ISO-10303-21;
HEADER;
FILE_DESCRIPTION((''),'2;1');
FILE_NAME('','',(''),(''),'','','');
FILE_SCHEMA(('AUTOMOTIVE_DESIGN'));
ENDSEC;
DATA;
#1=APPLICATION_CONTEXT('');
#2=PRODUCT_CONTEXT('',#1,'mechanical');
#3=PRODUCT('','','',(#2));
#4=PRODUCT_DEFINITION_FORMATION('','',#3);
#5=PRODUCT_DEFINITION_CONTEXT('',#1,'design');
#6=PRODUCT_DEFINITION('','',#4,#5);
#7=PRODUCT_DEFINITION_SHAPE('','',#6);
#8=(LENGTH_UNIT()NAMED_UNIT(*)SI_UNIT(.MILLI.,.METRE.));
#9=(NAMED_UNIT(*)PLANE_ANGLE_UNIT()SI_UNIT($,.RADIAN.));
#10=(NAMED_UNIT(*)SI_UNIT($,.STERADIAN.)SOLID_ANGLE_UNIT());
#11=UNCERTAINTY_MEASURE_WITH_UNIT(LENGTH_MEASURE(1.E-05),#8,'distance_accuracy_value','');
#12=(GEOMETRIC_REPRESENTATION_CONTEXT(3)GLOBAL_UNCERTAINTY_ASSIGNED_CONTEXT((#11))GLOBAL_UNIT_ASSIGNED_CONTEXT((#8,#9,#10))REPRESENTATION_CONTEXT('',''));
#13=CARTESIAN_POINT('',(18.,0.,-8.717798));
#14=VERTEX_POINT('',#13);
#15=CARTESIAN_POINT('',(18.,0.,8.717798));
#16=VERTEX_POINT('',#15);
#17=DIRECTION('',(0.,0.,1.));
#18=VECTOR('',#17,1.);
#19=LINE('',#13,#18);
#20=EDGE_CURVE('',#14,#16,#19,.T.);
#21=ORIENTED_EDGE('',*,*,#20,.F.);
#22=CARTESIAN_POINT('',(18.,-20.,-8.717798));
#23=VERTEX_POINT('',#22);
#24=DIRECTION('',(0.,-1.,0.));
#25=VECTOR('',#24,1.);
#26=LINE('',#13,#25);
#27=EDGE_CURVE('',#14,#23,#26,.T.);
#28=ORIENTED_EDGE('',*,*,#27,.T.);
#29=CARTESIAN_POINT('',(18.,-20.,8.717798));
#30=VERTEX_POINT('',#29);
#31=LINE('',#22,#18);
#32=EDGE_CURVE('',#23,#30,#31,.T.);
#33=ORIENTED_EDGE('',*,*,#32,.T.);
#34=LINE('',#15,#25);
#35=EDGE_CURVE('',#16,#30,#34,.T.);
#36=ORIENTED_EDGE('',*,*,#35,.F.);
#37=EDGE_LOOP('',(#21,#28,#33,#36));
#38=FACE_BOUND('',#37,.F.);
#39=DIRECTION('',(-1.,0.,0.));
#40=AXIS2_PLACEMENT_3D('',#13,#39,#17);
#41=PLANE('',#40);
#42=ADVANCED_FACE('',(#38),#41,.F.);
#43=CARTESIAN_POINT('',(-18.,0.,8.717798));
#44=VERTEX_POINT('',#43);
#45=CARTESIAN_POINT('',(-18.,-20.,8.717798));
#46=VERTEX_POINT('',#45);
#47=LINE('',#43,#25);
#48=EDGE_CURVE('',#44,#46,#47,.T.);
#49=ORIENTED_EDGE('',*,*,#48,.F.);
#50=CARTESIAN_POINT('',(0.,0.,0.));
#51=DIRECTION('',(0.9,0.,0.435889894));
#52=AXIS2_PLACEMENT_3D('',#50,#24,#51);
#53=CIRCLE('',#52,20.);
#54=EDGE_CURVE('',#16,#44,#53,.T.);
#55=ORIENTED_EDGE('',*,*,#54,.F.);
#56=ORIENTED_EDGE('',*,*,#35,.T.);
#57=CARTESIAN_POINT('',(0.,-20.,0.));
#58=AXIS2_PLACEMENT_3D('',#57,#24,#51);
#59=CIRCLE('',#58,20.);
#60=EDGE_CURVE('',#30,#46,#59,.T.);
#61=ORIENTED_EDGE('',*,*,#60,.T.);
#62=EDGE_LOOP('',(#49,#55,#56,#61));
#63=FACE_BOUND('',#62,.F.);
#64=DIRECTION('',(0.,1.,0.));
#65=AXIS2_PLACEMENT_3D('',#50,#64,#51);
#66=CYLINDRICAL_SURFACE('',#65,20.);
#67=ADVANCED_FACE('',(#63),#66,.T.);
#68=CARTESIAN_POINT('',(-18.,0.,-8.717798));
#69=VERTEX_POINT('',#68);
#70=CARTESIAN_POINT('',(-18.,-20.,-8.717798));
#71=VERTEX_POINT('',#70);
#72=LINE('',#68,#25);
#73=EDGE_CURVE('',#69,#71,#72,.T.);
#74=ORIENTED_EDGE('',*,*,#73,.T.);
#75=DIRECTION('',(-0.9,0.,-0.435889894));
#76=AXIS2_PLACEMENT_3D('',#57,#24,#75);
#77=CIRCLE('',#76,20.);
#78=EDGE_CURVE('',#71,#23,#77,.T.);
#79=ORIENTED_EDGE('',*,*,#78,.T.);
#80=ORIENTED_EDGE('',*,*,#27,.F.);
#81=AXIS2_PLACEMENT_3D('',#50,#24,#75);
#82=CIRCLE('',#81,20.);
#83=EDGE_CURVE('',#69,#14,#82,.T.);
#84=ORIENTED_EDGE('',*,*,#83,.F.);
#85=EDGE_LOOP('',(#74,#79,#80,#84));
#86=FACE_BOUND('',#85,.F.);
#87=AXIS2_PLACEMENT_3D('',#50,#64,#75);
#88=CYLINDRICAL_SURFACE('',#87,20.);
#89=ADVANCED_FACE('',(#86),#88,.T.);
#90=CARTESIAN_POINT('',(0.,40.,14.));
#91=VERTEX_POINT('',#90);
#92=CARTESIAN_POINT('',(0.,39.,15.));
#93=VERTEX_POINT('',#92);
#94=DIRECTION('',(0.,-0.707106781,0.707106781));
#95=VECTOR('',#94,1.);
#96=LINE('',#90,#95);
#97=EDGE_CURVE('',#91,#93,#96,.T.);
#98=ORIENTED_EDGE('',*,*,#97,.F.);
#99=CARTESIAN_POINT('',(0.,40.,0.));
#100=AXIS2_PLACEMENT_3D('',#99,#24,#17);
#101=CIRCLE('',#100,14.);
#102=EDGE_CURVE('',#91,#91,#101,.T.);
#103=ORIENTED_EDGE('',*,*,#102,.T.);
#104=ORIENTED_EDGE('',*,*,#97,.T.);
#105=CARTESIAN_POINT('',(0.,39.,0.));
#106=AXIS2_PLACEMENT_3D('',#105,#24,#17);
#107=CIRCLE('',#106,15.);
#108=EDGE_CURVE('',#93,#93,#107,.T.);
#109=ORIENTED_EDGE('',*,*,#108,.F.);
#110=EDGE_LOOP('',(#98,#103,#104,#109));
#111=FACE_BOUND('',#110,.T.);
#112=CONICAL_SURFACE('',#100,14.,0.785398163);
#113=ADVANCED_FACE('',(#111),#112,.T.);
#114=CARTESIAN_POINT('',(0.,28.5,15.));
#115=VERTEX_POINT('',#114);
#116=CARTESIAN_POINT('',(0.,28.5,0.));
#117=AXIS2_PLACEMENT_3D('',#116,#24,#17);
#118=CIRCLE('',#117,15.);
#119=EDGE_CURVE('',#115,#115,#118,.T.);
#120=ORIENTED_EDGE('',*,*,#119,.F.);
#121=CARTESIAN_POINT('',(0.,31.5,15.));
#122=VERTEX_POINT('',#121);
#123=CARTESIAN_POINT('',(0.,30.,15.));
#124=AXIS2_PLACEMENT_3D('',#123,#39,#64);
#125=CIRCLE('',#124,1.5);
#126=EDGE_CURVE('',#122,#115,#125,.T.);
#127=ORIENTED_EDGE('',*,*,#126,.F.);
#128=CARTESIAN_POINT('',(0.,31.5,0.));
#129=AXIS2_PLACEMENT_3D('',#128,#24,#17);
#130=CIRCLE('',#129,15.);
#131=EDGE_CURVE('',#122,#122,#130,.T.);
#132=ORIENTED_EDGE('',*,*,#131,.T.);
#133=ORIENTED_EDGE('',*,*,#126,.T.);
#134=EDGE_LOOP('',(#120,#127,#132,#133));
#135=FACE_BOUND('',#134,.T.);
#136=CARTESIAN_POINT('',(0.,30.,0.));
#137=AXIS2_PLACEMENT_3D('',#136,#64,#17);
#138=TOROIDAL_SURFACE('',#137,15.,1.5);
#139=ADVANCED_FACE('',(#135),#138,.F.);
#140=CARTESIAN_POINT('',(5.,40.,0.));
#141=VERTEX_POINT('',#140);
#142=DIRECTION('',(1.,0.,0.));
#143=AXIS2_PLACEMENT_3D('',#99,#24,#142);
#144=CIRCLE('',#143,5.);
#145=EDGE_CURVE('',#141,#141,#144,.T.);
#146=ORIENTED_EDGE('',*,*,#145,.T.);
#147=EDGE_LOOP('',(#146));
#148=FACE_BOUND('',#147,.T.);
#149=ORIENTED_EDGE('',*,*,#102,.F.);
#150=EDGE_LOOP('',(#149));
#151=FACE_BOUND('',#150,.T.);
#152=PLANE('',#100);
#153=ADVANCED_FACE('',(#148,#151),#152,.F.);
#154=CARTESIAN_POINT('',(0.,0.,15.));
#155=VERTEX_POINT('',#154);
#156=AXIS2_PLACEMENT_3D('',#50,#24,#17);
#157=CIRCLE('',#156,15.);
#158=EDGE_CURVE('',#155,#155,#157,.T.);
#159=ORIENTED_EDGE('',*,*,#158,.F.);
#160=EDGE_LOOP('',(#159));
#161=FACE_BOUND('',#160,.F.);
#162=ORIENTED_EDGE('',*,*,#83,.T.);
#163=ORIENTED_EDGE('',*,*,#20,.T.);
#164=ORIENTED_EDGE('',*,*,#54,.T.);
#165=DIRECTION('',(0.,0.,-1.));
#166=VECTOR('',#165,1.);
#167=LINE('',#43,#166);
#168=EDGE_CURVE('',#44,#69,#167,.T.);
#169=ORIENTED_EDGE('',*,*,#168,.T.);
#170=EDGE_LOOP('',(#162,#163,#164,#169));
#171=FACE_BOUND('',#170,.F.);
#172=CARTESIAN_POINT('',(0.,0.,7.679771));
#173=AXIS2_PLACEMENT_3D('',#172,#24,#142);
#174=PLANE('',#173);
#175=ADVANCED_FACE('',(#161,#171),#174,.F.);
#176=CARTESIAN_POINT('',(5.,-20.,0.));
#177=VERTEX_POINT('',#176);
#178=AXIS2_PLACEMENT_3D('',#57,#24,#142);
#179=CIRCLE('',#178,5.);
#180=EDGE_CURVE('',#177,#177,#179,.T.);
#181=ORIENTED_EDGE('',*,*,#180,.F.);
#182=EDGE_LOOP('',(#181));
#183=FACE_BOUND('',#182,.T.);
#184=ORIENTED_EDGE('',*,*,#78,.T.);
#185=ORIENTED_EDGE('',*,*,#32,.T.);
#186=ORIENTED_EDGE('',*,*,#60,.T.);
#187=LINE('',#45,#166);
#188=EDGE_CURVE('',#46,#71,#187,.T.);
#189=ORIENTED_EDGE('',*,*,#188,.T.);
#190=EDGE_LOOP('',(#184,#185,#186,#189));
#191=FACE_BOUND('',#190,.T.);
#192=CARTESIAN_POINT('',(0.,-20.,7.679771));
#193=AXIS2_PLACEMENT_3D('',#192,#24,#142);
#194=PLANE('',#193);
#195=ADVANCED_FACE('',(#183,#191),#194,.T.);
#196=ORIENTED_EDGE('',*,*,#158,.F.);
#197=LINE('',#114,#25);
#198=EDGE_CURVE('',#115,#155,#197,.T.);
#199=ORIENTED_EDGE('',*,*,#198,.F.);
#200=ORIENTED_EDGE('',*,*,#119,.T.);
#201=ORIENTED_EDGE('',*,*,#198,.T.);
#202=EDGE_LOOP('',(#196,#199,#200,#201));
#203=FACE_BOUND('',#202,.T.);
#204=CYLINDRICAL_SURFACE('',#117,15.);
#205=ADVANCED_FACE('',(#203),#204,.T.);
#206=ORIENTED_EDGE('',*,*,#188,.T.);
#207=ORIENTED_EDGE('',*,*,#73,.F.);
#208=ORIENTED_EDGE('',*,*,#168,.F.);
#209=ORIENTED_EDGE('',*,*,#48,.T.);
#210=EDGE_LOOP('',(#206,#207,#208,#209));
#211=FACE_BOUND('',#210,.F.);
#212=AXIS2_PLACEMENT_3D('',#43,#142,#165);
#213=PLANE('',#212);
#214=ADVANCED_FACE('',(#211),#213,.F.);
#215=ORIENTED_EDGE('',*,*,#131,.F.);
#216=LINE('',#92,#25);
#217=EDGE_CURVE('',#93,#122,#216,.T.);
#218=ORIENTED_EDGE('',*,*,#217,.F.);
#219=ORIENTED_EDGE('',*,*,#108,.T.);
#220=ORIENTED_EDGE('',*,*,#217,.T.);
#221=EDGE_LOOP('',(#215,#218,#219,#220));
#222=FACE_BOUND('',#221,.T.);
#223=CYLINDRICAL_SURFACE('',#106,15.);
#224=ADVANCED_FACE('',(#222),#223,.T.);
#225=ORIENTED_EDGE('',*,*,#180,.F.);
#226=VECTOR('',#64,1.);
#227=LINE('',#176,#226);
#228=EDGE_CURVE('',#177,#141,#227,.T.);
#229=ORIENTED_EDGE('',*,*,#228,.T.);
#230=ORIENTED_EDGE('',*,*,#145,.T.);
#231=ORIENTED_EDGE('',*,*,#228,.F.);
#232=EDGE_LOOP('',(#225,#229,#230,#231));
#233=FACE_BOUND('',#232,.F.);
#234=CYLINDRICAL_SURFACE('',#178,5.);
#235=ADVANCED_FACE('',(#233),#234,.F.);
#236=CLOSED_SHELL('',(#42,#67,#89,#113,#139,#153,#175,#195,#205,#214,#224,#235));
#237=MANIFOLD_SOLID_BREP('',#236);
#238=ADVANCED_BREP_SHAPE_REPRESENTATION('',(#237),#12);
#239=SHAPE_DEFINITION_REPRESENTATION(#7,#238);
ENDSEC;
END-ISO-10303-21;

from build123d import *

# Parameters (mm, degrees)
F1_DEPTH = 20
F4_R     = 5
F5_DEPTH = 60.001


with BuildPart() as f1:
    # F0 (on Front) → F1 (new body)
    with BuildSketch(Plane.XZ):
        with BuildLine():
            Line((18, 0), (18, 8.7177978871))
            ThreePointArc((18, 8.7177978871), (0, 20), (-18, 8.7177978871))
            Line((-18, 8.7177978871), (-18, 0))
            Line((-18, 0), (0, 0))
            Line((0, 0), (18, 0))
        make_face()
        with BuildLine():
            ThreePointArc((-18, -8.7177978871), (0, -20), (18, -8.7177978871))
            Line((18, -8.7177978871), (18, 0))
            Line((18, 0), (0, 0))
            Line((0, 0), (-18, 0))
            Line((-18, 0), (-18, -8.7177978871))
        make_face()
    extrude(amount=F1_DEPTH)

    # F2 (on Right) → F3 (revolve)
    with BuildSketch(Plane.YZ):
        with BuildLine():
            Line((0, 15), (0, 0))
            Line((0, 0), (40, 0))
            Line((40, 0), (40, 14))
            Line((40, 14), (39, 15))
            Line((39, 15), (31.5, 15))
            ThreePointArc((31.5, 15), (30, 13.5), (28.5, 15))
            Line((28.5, 15), (0, 15))
        make_face()
    revolve(axis=Axis((0, 20, 0), (0, -1, 0)))

    # F4 (on face) → F5 (cut, through all)
    with BuildSketch(Plane.XZ.offset(20)):
        Circle(F4_R)
    extrude(amount=-F5_DEPTH, mode=Mode.SUBTRACT)


solid = f1.part
